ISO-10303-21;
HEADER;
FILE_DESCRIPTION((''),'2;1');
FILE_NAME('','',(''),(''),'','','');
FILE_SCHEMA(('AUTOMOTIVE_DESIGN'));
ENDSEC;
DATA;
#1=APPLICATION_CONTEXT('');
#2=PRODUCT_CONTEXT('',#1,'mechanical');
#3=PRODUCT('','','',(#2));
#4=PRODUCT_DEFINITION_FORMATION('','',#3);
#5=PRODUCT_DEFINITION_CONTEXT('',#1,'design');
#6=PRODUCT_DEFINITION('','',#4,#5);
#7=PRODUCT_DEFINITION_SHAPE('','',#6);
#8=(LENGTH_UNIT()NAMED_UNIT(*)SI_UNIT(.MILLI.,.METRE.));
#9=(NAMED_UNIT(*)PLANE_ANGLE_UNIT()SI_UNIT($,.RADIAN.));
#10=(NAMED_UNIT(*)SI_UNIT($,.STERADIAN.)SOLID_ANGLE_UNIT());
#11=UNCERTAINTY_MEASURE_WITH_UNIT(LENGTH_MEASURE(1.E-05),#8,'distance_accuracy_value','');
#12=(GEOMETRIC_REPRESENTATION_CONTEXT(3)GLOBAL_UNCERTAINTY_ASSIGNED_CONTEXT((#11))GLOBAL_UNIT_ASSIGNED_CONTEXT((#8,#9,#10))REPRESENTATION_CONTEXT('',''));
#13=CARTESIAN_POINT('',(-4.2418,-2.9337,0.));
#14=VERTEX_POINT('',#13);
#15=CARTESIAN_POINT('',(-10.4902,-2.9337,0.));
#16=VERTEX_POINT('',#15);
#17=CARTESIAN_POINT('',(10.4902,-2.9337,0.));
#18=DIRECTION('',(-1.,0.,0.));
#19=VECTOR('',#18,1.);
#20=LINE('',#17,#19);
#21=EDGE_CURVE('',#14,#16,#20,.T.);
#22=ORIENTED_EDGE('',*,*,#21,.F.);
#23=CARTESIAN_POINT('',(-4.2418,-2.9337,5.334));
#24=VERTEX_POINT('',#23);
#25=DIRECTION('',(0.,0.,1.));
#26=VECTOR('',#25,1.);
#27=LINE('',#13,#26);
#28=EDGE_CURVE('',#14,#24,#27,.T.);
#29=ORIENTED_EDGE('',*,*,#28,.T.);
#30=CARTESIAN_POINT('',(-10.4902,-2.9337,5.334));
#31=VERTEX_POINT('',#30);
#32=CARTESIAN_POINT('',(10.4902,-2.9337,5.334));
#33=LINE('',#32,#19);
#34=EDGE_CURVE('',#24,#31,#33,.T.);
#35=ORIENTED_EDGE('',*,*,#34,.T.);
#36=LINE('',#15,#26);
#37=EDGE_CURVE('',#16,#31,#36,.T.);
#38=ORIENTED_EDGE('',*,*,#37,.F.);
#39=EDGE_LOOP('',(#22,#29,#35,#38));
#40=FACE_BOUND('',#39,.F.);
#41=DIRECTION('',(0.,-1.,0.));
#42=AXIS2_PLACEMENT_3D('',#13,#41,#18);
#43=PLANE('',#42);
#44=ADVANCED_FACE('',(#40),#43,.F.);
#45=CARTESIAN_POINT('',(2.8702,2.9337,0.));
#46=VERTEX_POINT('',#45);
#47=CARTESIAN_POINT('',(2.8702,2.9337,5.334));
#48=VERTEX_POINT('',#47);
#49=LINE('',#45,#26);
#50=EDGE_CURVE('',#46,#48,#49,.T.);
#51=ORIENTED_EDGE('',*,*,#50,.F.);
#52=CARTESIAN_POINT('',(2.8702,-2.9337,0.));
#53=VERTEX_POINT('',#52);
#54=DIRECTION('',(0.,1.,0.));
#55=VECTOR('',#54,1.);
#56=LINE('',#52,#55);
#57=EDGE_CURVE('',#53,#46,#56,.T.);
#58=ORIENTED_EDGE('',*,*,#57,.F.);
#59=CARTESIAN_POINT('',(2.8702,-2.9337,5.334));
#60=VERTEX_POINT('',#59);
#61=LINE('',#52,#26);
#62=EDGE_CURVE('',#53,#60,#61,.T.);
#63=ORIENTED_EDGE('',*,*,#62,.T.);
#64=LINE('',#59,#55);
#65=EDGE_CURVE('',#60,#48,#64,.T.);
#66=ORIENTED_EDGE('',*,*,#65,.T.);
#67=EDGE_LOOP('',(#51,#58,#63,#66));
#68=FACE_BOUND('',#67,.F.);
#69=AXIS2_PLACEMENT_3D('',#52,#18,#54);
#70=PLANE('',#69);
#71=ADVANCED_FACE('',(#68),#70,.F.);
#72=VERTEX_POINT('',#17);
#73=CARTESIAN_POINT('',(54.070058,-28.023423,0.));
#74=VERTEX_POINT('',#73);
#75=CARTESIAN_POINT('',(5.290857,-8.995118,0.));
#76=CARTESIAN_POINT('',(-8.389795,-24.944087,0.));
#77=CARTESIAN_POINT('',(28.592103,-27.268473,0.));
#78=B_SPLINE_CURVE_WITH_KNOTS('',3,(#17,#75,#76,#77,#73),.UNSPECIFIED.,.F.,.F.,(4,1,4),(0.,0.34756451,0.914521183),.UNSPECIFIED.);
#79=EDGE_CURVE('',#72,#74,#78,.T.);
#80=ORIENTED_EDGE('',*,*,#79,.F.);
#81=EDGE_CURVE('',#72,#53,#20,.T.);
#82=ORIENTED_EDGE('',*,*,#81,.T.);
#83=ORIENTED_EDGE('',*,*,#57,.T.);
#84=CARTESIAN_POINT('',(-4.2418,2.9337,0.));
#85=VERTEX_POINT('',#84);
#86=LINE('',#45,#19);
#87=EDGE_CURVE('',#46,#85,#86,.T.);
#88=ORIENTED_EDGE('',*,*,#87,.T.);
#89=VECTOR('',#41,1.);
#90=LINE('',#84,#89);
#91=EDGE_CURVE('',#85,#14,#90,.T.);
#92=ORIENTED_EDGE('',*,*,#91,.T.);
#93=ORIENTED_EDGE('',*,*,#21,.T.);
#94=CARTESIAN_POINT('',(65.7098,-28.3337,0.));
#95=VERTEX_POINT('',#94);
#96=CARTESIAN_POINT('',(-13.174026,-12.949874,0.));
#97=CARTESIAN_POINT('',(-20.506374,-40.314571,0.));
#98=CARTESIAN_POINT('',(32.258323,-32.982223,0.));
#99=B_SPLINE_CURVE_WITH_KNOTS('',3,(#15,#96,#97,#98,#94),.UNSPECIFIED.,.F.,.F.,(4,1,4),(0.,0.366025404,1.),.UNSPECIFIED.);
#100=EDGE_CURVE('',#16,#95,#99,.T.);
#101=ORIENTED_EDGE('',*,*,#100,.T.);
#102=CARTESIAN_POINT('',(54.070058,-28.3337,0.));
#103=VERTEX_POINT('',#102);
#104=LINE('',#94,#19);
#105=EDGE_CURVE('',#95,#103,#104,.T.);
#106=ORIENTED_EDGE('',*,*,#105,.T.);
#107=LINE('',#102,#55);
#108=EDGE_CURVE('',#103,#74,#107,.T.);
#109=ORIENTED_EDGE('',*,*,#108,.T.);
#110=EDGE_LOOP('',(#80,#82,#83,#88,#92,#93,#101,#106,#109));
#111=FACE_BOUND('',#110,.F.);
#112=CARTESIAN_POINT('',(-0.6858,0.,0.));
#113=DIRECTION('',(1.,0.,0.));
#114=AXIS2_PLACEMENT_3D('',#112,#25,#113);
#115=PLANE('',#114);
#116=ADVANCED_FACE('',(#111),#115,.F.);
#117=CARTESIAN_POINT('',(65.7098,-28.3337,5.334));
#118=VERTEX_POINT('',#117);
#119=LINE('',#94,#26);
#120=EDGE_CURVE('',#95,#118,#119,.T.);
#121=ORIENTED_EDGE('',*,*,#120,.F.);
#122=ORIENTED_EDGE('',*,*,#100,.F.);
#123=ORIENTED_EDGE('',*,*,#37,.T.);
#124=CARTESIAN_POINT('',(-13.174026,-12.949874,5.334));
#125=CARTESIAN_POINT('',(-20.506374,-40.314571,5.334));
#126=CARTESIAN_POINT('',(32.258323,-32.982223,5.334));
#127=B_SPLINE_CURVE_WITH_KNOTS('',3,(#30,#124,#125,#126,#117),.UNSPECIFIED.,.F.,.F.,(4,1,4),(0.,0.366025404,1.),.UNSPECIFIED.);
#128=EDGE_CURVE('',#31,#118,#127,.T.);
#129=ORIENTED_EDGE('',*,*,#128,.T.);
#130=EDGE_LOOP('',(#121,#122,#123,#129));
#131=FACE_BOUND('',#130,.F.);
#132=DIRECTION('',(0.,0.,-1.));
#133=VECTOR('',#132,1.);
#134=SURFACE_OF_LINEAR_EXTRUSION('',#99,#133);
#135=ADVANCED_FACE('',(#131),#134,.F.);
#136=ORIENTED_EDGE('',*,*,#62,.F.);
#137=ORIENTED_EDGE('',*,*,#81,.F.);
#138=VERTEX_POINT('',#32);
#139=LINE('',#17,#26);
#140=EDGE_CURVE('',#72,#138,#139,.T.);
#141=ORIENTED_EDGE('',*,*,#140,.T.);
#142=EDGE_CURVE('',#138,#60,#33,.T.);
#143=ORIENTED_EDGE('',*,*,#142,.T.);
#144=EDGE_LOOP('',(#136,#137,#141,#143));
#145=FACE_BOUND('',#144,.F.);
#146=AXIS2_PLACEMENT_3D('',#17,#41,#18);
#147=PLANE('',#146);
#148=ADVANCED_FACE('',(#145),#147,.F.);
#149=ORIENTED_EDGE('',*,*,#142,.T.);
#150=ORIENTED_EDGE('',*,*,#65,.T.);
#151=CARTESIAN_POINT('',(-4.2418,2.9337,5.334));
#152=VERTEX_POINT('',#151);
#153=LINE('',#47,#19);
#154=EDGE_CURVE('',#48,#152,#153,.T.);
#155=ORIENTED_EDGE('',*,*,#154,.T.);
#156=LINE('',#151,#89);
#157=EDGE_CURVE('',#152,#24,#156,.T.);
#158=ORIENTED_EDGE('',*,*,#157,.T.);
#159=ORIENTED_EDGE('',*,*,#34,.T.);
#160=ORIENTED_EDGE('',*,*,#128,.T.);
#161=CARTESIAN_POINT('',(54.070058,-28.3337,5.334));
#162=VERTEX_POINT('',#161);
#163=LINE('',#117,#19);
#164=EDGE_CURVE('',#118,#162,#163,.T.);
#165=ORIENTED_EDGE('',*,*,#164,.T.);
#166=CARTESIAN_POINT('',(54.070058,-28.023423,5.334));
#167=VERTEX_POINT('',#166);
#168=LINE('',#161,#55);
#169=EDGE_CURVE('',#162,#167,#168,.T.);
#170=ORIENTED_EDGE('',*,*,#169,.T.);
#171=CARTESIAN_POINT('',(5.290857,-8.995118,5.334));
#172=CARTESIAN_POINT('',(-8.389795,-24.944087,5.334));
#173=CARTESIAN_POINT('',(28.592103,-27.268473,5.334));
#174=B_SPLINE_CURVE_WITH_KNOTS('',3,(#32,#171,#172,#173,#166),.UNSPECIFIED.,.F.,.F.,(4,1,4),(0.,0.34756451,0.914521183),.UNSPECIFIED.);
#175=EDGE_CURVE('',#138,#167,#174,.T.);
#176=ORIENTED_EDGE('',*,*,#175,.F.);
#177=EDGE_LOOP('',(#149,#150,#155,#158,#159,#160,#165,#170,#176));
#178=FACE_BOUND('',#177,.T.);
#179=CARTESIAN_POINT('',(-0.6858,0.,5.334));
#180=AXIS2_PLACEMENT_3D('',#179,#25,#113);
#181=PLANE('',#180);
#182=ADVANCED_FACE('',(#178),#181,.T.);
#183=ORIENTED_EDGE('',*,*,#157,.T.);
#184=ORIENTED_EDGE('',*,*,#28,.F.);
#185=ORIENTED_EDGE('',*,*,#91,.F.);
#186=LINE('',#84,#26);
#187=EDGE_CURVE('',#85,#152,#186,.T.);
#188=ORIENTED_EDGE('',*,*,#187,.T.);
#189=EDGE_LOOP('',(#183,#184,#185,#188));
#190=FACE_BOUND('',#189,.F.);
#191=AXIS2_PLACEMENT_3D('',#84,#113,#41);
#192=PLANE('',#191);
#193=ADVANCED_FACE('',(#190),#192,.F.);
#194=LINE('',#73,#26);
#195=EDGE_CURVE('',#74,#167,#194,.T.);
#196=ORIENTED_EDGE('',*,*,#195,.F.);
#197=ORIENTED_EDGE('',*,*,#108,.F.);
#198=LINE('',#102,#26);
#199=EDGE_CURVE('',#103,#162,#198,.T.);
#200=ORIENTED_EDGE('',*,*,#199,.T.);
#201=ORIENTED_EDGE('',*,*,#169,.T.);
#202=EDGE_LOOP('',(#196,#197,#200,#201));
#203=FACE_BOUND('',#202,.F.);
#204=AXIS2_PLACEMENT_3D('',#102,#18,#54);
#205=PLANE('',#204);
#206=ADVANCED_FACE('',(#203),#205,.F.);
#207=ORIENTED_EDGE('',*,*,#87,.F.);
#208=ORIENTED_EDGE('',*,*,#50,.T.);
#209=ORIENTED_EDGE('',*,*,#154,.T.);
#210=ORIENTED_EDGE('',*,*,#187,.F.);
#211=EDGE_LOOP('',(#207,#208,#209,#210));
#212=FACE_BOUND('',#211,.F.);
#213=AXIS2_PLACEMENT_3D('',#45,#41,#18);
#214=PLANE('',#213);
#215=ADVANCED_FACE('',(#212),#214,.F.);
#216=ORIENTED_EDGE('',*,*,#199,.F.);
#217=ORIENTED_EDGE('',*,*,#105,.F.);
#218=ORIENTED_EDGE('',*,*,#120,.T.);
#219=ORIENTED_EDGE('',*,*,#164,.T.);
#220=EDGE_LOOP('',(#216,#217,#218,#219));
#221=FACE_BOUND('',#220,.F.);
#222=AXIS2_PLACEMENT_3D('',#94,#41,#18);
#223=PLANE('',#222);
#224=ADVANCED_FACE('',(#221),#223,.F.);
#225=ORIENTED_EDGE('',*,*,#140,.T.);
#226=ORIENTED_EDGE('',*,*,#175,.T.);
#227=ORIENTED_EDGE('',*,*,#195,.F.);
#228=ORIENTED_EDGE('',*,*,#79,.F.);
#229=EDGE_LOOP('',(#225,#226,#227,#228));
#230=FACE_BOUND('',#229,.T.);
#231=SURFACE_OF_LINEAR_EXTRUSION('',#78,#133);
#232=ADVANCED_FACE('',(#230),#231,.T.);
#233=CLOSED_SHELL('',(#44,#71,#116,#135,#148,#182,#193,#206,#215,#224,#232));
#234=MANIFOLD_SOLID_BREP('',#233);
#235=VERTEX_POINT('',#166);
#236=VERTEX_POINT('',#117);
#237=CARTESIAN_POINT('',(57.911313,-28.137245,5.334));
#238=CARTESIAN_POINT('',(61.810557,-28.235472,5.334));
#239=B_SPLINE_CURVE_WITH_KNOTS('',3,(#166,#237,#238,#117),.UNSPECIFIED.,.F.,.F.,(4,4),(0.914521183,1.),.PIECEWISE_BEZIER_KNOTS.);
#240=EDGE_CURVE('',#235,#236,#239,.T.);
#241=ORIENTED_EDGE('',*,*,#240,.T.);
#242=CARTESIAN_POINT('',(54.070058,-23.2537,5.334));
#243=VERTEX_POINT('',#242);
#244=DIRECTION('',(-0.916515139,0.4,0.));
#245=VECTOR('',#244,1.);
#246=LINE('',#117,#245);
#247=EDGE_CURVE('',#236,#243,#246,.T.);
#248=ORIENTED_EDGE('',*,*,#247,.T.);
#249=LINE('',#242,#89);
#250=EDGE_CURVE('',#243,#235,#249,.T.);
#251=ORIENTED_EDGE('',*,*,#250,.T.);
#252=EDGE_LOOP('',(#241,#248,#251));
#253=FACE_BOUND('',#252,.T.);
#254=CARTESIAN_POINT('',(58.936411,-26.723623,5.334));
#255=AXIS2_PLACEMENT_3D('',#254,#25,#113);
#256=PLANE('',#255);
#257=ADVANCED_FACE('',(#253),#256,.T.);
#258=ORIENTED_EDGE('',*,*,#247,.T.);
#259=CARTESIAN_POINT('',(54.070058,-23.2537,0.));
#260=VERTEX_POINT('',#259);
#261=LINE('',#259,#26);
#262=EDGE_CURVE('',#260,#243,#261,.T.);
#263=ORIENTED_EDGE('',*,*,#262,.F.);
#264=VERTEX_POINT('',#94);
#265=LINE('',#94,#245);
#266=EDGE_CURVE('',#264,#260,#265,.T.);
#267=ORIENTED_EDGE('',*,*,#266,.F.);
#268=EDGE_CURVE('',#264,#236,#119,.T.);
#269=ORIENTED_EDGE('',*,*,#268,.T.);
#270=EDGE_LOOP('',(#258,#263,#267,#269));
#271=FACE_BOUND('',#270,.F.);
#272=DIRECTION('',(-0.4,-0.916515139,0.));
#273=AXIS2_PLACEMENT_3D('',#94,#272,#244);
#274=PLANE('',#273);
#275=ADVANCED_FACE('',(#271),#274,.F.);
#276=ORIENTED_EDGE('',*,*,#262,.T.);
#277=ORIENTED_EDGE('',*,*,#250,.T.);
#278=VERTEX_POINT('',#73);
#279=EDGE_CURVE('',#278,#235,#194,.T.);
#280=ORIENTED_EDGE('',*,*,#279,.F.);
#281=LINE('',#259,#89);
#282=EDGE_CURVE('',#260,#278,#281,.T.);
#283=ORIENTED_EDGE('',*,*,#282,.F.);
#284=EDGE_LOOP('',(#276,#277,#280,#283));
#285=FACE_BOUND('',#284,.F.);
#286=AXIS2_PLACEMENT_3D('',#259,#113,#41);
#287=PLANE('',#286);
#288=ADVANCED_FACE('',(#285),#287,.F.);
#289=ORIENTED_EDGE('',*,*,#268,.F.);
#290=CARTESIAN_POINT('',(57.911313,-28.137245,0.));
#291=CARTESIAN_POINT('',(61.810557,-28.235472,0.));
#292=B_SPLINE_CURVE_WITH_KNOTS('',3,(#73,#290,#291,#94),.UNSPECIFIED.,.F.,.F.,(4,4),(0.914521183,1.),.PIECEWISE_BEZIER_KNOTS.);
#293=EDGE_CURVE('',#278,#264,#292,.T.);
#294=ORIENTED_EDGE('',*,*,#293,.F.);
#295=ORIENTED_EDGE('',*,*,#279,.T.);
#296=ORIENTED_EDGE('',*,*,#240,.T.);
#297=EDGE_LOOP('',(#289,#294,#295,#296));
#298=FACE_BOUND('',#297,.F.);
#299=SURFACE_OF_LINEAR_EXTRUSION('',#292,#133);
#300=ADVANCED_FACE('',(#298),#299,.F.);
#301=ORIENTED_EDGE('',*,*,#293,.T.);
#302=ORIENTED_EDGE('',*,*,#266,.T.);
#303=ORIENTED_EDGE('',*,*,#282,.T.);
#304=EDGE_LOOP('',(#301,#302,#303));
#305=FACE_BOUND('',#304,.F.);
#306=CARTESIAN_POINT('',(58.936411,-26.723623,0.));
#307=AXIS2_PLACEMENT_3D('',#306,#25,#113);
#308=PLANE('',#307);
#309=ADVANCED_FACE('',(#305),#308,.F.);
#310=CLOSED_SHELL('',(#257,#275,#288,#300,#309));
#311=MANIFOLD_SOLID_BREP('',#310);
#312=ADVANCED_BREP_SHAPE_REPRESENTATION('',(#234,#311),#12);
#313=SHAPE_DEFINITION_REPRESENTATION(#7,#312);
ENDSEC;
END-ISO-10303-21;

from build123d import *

# Parameters (mm, degrees)
F1_DEPTH = 5.334


with BuildPart() as f1:
    # F0 (on Top) → F1 (new body)
    with BuildSketch(Plane.XY):
        Polygon((0, -2.9337), (2.8702, -2.9337), (2.8702, 2.9337), (-4.2418, 2.9337), (-4.2418, -2.9337), (-4.1402, -2.9337), (-2.8702, -2.9337), align=None)
        with BuildLine():
            Line((3.81, -2.9337), (2.8702, -2.9337))
            Line((2.8702, -2.9337), (0, -2.9337))
            Line((0, -2.9337), (-2.8702, -2.9337))
            Line((-2.8702, -2.9337), (-4.1402, -2.9337))
            Line((-4.1402, -2.9337), (-4.2418, -2.9337))
            Line((-4.2418, -2.9337), (-10.4902, -2.9337))
            Line((-10.4902, -2.9337), (-10.4902, -28.3337))
            Line((-10.4902, -28.3337), (54.0700577348, -28.3337))
            Line((54.0700577348, -28.3337), (54.0700577348, -28.0234226557))
            add(Edge.make_bspline(
                [(10.4902, -2.9337), (5.2908571916, -8.9951183558), (-8.3897948845, -24.9440870369), (28.5921028698, -27.2684726067), (54.0700577348, -28.0234226557)],
                knots=[0, 0, 0, 0, 0.3475645102, 0.9145211834, 0.9145211834, 0.9145211834, 0.9145211834], degree=3))
            Line((10.4902, -2.9337), (3.81, -2.9337))
        make_face()
        with BuildLine():
            Line((-10.4902, -28.3337), (-10.4902, -2.9337))
            add(Edge.make_bspline(
                [(-10.4902, -2.9337), (-13.1740257906, -12.9498742094), (-15.8578515813, -22.9660484187), (-10.4902, -28.3337)],
                knots=[0, 0, 0, 0, 0.3660254038, 0.3660254038, 0.3660254038, 0.3660254038], degree=3))
        make_face()
        with BuildLine():
            add(Edge.make_bspline(
                [(-10.4902, -28.3337), (-1.1931547439, -37.6307452561), (32.2583226281, -32.9822226281), (65.7098, -28.3337)],
                knots=[0.3660254038, 0.3660254038, 0.3660254038, 0.3660254038, 1, 1, 1, 1], degree=3))
            Line((65.7098, -28.3337), (54.0700577348, -28.3337))
            Line((54.0700577348, -28.3337), (-10.4902, -28.3337))
        make_face()
    extrude(amount=F1_DEPTH)


with BuildPart() as f1b:
    # F0 (on Top) → F1, piece 2 (new body)
    with BuildSketch(Plane.XY):
        with BuildLine():
            Line((54.0700577348, -23.2537), (54.0700577348, -28.0234226557))
            add(Edge.make_bspline(
                [(54.0700577348, -28.0234226557), (57.9113132189, -28.1372448221), (61.8105566094, -28.235472411), (65.7098, -28.3337)],
                knots=[0.9145211834, 0.9145211834, 0.9145211834, 0.9145211834, 1, 1, 1, 1], degree=3))
            Line((65.7098, -28.3337), (54.0700577348, -23.2537))
        make_face()
    extrude(amount=F1_DEPTH)


solid = Compound([f1.part, f1b.part])
